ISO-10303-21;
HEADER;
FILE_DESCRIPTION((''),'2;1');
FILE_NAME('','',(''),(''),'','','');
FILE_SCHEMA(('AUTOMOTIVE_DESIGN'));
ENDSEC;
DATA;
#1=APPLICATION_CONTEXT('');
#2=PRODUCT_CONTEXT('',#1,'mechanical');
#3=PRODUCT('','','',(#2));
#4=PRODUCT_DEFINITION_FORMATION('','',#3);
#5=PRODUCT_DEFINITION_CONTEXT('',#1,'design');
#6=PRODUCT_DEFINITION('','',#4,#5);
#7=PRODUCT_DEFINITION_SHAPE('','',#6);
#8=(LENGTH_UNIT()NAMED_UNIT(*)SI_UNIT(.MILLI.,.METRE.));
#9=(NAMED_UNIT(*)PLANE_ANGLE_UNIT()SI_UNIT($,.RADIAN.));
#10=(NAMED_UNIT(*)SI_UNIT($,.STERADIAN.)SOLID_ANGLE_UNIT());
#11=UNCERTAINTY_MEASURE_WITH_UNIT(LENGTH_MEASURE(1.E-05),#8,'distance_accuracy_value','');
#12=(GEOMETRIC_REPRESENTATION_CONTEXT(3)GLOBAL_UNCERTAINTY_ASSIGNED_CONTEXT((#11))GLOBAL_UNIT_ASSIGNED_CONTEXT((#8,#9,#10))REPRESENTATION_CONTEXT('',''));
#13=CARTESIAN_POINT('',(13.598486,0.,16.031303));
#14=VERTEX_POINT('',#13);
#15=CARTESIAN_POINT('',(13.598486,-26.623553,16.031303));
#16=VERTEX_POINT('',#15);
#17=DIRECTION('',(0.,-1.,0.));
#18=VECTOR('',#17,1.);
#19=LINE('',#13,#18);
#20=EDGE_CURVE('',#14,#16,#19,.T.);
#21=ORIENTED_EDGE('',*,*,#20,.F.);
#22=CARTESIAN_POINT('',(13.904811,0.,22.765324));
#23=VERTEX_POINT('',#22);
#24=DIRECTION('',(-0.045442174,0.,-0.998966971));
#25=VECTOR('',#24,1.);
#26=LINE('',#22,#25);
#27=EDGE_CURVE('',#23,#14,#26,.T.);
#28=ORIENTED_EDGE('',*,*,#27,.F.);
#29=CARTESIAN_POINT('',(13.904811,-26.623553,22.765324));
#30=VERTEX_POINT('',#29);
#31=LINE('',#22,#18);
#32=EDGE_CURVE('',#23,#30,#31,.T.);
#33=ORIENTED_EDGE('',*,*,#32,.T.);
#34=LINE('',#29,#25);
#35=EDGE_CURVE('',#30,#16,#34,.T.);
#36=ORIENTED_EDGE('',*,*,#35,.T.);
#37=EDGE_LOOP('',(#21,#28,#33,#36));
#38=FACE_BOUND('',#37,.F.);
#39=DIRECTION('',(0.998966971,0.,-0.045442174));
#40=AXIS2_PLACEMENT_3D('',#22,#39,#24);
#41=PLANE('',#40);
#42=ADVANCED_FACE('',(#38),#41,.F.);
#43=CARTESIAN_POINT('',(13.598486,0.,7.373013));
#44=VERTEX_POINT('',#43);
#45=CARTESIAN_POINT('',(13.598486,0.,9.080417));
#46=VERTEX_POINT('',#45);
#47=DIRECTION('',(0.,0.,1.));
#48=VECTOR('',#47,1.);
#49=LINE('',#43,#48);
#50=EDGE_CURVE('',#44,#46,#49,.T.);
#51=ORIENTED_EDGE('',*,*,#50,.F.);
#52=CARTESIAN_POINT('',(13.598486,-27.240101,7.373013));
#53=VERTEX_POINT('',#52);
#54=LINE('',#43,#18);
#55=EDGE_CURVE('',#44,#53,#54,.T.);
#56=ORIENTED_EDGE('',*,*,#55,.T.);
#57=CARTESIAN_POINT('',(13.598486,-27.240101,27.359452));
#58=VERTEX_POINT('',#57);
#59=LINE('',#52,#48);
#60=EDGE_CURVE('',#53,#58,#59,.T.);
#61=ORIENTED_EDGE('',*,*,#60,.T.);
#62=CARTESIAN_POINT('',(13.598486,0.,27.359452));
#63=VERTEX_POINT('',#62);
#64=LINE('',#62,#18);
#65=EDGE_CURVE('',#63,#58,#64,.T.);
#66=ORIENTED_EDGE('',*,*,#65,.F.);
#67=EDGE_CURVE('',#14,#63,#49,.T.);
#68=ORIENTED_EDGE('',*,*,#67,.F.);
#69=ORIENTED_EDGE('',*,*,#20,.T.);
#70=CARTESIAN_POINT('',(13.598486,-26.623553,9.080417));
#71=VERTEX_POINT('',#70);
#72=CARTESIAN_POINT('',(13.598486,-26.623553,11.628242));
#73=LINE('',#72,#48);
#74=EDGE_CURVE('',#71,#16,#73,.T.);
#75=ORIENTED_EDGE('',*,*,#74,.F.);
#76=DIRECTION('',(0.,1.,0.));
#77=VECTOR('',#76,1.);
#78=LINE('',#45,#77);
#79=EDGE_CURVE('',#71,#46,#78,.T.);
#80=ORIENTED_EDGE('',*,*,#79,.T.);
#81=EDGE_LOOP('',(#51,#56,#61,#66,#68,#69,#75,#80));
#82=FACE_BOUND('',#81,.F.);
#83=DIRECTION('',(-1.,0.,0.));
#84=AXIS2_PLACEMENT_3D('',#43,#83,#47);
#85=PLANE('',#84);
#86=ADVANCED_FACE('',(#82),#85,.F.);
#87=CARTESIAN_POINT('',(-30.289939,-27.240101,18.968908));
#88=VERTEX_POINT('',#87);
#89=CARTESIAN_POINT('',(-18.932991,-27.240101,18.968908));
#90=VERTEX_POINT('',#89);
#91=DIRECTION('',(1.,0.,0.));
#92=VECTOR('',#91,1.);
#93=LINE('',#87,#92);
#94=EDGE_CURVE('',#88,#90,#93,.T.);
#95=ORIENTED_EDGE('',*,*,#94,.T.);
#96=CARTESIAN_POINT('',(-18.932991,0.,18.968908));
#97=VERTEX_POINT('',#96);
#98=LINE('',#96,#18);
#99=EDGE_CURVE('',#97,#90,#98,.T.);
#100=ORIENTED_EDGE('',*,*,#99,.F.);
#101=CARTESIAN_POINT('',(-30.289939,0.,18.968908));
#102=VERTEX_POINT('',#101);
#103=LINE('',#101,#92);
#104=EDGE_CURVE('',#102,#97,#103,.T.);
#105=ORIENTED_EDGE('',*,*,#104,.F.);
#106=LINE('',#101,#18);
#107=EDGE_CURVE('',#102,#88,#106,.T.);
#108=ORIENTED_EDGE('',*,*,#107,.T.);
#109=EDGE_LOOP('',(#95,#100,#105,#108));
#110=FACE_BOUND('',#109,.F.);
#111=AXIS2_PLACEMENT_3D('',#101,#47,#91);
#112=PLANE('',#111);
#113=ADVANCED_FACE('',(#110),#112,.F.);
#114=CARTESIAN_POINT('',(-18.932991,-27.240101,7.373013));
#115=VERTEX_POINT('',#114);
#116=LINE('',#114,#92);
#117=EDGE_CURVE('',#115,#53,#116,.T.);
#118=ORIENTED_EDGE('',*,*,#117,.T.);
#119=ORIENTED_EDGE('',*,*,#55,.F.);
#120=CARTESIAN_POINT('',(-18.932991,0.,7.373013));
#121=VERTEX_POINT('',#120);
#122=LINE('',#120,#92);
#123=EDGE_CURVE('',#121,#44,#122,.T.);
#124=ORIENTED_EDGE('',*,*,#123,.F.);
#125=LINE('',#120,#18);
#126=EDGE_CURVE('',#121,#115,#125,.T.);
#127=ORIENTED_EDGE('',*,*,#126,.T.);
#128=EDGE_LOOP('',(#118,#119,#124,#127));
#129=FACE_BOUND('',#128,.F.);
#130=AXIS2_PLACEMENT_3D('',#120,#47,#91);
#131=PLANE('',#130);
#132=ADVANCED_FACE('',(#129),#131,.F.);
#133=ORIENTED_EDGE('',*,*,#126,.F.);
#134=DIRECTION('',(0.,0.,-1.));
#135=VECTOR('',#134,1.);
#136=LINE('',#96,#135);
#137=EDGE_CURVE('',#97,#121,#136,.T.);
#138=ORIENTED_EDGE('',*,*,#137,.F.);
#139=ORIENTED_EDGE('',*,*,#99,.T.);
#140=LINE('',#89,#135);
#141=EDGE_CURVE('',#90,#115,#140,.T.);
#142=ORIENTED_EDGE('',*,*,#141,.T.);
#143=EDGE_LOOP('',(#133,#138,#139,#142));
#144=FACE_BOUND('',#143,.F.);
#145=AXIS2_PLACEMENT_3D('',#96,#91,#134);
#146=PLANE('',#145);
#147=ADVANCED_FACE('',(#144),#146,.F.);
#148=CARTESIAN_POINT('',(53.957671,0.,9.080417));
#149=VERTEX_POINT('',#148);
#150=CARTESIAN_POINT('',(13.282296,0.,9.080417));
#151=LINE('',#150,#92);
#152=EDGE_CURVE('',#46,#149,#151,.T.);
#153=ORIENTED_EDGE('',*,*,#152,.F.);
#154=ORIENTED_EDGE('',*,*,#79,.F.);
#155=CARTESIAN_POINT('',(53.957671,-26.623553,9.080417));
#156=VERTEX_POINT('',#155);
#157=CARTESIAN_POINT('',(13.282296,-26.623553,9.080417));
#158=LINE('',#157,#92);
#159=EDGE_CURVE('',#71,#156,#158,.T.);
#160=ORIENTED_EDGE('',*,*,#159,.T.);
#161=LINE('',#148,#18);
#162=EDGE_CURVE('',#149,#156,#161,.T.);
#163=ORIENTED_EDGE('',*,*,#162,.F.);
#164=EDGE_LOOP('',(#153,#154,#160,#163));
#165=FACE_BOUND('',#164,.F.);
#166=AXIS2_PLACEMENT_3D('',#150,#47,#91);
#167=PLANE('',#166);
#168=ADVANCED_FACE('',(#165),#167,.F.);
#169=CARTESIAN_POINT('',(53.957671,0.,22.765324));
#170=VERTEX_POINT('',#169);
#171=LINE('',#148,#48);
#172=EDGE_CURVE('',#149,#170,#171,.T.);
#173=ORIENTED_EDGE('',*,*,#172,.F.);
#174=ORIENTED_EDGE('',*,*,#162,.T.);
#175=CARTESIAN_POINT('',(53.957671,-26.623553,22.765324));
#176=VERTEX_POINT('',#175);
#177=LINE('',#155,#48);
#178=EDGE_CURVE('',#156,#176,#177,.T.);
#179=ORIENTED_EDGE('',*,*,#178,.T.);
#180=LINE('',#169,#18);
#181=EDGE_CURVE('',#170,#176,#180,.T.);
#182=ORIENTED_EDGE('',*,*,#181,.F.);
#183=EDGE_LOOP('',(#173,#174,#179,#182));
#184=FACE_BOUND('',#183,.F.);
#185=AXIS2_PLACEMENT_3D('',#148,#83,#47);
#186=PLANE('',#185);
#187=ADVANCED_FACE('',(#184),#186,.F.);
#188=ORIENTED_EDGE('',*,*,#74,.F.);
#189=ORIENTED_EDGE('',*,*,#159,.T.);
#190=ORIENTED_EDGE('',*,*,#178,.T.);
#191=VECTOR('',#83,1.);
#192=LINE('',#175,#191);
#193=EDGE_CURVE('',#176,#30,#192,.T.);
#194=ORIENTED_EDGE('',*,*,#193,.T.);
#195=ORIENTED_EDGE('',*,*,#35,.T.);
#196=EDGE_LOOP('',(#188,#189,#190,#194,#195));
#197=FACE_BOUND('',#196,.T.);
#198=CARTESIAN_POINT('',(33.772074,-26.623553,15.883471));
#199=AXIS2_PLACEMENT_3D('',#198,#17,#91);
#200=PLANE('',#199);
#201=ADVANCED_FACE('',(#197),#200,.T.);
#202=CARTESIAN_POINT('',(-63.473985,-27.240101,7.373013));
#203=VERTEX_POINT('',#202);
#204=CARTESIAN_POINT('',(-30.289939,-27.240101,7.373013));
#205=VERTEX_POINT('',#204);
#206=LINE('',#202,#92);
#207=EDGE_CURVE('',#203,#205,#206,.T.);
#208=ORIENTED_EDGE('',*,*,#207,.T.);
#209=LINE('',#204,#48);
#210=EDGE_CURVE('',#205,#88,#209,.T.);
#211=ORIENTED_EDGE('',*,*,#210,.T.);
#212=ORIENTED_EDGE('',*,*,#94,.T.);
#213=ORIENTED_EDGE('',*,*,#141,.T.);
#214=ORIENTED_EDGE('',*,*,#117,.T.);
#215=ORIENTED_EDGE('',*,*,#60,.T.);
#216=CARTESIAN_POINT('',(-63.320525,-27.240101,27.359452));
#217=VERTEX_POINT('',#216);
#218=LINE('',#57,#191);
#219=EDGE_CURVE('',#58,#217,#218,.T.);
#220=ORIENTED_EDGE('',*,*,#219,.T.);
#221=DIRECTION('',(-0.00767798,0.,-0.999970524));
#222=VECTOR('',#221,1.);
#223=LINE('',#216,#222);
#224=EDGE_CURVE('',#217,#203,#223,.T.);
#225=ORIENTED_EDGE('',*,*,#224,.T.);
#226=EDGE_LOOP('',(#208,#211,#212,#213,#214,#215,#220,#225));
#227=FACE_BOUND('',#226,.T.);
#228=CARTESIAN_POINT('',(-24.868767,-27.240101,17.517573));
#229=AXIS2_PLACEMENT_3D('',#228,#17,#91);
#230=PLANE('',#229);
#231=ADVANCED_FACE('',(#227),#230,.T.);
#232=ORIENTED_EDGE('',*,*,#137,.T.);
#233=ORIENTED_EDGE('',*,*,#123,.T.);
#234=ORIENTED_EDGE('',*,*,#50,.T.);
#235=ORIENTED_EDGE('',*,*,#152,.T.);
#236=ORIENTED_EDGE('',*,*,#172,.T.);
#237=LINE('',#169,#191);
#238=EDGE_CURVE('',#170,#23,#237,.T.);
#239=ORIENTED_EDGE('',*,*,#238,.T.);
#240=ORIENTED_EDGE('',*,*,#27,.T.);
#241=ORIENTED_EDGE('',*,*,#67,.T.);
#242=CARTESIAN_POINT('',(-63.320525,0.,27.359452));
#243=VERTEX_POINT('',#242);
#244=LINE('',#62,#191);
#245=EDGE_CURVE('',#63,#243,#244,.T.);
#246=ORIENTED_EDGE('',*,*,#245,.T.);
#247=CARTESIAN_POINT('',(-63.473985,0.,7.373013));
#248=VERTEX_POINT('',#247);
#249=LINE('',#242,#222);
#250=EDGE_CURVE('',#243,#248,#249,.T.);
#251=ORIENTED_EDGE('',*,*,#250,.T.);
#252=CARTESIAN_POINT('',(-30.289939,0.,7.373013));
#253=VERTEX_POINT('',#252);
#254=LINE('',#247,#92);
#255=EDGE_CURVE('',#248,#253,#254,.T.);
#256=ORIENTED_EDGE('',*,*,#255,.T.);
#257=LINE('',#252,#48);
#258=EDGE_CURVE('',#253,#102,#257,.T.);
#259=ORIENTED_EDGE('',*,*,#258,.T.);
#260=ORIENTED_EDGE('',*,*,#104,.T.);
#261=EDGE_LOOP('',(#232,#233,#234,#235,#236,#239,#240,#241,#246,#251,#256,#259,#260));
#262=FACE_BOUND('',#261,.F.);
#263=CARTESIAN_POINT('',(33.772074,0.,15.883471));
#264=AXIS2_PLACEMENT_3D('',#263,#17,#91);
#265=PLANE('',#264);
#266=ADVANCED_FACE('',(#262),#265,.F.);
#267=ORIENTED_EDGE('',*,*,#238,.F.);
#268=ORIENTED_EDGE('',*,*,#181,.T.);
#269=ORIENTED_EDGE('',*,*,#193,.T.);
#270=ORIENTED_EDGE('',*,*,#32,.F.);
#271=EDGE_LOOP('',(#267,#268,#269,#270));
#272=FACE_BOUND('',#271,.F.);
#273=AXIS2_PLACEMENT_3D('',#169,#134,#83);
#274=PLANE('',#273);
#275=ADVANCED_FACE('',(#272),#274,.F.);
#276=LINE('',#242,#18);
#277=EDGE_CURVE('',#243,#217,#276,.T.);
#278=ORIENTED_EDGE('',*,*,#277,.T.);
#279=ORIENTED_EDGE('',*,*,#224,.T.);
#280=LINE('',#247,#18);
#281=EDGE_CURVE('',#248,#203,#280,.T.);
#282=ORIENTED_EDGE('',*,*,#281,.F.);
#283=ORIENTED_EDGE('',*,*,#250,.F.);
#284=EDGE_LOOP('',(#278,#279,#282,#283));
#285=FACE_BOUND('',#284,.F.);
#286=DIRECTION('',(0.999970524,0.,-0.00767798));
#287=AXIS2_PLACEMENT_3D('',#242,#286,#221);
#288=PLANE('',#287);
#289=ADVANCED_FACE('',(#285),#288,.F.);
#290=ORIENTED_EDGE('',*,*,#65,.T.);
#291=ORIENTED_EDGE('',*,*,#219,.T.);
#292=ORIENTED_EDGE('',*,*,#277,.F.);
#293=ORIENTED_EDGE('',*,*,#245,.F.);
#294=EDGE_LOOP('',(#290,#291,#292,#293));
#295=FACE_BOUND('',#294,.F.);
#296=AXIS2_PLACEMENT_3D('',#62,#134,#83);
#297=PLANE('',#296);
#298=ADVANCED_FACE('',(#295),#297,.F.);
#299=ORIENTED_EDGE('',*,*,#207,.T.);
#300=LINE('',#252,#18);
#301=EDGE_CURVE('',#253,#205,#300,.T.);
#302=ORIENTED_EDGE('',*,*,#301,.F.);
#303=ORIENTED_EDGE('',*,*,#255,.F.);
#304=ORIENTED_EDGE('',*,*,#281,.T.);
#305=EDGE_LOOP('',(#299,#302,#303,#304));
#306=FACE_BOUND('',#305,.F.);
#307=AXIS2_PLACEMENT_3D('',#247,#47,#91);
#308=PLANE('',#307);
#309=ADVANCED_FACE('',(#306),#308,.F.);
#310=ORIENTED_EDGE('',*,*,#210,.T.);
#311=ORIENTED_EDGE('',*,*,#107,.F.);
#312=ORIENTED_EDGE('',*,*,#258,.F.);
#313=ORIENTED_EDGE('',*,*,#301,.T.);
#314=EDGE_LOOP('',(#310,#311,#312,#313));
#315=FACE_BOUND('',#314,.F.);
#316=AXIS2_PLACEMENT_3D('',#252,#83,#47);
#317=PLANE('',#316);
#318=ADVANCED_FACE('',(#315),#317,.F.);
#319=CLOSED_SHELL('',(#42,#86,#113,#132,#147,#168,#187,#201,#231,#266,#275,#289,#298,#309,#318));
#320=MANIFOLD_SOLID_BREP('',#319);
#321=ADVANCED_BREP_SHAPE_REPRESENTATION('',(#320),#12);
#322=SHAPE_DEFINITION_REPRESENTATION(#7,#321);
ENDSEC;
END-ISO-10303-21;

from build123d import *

# Parameters (mm, degrees)
F1_DEPTH = 27.240101
F3_DEPTH = 26.623553


with BuildPart() as f1:
    # F0 (on Front) → F1 (new body)
    with BuildSketch(Plane.XZ):
        Polygon((13.598486, 27.359452), (-63.320525, 27.359452), (-63.473985, 7.373013), (-30.289939, 7.373013), (-30.289939, 18.968908), (-18.932991, 18.968908), (-18.932991, 7.373013), (13.598486, 7.373013), align=None)
    extrude(amount=F1_DEPTH)

    # F2 (on Front) → F3 (join)
    with BuildSketch(Plane.XZ):
        Polygon((53.957671, 22.765324), (13.904811, 22.765324), (13.282296, 9.080417), (53.957671, 9.080417), align=None)
    extrude(amount=F3_DEPTH)


solid = f1.part
